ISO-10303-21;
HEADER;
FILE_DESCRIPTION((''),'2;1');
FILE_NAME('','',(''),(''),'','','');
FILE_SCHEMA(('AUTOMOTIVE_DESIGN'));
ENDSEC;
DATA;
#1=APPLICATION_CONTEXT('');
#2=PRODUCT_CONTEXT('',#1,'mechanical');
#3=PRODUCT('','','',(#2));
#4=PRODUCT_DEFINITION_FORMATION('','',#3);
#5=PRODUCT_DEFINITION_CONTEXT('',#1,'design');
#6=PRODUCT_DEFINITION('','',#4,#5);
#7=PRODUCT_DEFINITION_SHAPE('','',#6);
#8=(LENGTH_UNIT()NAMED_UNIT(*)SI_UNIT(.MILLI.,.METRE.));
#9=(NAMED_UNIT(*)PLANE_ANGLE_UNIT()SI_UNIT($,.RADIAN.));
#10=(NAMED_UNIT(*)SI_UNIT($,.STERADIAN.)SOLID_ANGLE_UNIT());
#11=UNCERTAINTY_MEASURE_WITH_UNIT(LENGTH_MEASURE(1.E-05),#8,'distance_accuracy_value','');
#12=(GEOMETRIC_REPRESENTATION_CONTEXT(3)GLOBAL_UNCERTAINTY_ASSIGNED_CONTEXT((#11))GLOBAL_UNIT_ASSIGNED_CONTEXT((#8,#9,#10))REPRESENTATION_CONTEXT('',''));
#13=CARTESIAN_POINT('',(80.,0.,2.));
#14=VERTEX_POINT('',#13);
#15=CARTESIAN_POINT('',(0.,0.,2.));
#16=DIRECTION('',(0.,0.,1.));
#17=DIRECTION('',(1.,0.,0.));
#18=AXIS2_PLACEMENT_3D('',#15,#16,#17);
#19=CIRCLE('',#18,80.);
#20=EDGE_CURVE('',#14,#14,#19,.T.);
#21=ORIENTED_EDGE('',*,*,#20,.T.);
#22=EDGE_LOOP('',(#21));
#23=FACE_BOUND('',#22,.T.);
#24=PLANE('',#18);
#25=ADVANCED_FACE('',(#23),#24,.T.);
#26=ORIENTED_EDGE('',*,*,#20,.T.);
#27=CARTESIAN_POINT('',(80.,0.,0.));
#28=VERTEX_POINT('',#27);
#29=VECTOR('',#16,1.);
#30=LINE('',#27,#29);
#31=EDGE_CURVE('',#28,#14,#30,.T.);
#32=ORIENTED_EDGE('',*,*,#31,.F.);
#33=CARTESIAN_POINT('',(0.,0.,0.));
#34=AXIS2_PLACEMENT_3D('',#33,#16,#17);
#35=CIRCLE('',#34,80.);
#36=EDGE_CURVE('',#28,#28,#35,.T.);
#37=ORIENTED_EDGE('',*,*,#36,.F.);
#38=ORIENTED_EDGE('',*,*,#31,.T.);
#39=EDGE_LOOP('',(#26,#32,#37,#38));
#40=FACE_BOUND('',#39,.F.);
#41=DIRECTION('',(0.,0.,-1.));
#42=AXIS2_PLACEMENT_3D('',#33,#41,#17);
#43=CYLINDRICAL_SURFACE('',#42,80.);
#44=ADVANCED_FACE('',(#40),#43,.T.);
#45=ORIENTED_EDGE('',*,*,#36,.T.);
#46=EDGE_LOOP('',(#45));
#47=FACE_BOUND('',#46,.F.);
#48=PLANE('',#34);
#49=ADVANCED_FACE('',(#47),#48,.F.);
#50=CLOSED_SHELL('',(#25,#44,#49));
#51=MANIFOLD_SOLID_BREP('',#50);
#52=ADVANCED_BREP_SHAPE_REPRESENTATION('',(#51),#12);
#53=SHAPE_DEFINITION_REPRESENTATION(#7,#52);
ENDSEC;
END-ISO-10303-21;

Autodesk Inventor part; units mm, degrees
ref_plane "YZ Plane" through (0, 0, 0) normal (1, 0, 0) x (0, 1, 0)
ref_plane "XZ Plane" through (0, 0, 0) normal (0, 1, 0) x (-1, 0, 0)
ref_plane "XY Plane" through (0, 0, 0) normal (0, 0, 1) x (1, 0, 0)
sketch "Sketch1" plane through (0, 0, 0) normal (0, 0, 1) x (1, 0, 0)
  circle A0 centre (0, 0) radius 37
  circle A1 centre (0, 0) radius 80
  line L0 (56.5685, -56.5685) -> (-56.5685, 56.5685) construction
  line L1 (-56.5685, -56.5685) -> (56.5685, 56.5685) construction
  point P0 (0, 37)
  dimension "d44" = 74
  dimension "d23" = 160
extrude "Plate1" add sketch "Sketch1" along normal blind 2 contours A0 | A1
equation "\"d2\" = Thickness"
equation "\"BendReliefWidth\" = Thickness"
equation "\"BendReliefDepth\" = 0.5 * Thickness"
equation "\"CornerReliefSize\" = 4 * Thickness"
equation "\"MinimumRemnant\" = 2 * Thickness"
equation "\"TransitionRadius\" = BendRadius"
equation "\"JacobiRadiusSize\" = BendRadius"
equation "\"GapSize\" = Thickness"
equation "\"Octaeder_side\" = d41"
equation "\"Octaeder_flange_lenth\" = d42"
equation "\"Thickness\" = 2"
equation "\"BendRadius\" = 6"
equation "\"d41\" = 55.918831"
equation "\"d42\" = 72.5"
properties part number "DSB 336 head bottom" material "Stainless Steel"
